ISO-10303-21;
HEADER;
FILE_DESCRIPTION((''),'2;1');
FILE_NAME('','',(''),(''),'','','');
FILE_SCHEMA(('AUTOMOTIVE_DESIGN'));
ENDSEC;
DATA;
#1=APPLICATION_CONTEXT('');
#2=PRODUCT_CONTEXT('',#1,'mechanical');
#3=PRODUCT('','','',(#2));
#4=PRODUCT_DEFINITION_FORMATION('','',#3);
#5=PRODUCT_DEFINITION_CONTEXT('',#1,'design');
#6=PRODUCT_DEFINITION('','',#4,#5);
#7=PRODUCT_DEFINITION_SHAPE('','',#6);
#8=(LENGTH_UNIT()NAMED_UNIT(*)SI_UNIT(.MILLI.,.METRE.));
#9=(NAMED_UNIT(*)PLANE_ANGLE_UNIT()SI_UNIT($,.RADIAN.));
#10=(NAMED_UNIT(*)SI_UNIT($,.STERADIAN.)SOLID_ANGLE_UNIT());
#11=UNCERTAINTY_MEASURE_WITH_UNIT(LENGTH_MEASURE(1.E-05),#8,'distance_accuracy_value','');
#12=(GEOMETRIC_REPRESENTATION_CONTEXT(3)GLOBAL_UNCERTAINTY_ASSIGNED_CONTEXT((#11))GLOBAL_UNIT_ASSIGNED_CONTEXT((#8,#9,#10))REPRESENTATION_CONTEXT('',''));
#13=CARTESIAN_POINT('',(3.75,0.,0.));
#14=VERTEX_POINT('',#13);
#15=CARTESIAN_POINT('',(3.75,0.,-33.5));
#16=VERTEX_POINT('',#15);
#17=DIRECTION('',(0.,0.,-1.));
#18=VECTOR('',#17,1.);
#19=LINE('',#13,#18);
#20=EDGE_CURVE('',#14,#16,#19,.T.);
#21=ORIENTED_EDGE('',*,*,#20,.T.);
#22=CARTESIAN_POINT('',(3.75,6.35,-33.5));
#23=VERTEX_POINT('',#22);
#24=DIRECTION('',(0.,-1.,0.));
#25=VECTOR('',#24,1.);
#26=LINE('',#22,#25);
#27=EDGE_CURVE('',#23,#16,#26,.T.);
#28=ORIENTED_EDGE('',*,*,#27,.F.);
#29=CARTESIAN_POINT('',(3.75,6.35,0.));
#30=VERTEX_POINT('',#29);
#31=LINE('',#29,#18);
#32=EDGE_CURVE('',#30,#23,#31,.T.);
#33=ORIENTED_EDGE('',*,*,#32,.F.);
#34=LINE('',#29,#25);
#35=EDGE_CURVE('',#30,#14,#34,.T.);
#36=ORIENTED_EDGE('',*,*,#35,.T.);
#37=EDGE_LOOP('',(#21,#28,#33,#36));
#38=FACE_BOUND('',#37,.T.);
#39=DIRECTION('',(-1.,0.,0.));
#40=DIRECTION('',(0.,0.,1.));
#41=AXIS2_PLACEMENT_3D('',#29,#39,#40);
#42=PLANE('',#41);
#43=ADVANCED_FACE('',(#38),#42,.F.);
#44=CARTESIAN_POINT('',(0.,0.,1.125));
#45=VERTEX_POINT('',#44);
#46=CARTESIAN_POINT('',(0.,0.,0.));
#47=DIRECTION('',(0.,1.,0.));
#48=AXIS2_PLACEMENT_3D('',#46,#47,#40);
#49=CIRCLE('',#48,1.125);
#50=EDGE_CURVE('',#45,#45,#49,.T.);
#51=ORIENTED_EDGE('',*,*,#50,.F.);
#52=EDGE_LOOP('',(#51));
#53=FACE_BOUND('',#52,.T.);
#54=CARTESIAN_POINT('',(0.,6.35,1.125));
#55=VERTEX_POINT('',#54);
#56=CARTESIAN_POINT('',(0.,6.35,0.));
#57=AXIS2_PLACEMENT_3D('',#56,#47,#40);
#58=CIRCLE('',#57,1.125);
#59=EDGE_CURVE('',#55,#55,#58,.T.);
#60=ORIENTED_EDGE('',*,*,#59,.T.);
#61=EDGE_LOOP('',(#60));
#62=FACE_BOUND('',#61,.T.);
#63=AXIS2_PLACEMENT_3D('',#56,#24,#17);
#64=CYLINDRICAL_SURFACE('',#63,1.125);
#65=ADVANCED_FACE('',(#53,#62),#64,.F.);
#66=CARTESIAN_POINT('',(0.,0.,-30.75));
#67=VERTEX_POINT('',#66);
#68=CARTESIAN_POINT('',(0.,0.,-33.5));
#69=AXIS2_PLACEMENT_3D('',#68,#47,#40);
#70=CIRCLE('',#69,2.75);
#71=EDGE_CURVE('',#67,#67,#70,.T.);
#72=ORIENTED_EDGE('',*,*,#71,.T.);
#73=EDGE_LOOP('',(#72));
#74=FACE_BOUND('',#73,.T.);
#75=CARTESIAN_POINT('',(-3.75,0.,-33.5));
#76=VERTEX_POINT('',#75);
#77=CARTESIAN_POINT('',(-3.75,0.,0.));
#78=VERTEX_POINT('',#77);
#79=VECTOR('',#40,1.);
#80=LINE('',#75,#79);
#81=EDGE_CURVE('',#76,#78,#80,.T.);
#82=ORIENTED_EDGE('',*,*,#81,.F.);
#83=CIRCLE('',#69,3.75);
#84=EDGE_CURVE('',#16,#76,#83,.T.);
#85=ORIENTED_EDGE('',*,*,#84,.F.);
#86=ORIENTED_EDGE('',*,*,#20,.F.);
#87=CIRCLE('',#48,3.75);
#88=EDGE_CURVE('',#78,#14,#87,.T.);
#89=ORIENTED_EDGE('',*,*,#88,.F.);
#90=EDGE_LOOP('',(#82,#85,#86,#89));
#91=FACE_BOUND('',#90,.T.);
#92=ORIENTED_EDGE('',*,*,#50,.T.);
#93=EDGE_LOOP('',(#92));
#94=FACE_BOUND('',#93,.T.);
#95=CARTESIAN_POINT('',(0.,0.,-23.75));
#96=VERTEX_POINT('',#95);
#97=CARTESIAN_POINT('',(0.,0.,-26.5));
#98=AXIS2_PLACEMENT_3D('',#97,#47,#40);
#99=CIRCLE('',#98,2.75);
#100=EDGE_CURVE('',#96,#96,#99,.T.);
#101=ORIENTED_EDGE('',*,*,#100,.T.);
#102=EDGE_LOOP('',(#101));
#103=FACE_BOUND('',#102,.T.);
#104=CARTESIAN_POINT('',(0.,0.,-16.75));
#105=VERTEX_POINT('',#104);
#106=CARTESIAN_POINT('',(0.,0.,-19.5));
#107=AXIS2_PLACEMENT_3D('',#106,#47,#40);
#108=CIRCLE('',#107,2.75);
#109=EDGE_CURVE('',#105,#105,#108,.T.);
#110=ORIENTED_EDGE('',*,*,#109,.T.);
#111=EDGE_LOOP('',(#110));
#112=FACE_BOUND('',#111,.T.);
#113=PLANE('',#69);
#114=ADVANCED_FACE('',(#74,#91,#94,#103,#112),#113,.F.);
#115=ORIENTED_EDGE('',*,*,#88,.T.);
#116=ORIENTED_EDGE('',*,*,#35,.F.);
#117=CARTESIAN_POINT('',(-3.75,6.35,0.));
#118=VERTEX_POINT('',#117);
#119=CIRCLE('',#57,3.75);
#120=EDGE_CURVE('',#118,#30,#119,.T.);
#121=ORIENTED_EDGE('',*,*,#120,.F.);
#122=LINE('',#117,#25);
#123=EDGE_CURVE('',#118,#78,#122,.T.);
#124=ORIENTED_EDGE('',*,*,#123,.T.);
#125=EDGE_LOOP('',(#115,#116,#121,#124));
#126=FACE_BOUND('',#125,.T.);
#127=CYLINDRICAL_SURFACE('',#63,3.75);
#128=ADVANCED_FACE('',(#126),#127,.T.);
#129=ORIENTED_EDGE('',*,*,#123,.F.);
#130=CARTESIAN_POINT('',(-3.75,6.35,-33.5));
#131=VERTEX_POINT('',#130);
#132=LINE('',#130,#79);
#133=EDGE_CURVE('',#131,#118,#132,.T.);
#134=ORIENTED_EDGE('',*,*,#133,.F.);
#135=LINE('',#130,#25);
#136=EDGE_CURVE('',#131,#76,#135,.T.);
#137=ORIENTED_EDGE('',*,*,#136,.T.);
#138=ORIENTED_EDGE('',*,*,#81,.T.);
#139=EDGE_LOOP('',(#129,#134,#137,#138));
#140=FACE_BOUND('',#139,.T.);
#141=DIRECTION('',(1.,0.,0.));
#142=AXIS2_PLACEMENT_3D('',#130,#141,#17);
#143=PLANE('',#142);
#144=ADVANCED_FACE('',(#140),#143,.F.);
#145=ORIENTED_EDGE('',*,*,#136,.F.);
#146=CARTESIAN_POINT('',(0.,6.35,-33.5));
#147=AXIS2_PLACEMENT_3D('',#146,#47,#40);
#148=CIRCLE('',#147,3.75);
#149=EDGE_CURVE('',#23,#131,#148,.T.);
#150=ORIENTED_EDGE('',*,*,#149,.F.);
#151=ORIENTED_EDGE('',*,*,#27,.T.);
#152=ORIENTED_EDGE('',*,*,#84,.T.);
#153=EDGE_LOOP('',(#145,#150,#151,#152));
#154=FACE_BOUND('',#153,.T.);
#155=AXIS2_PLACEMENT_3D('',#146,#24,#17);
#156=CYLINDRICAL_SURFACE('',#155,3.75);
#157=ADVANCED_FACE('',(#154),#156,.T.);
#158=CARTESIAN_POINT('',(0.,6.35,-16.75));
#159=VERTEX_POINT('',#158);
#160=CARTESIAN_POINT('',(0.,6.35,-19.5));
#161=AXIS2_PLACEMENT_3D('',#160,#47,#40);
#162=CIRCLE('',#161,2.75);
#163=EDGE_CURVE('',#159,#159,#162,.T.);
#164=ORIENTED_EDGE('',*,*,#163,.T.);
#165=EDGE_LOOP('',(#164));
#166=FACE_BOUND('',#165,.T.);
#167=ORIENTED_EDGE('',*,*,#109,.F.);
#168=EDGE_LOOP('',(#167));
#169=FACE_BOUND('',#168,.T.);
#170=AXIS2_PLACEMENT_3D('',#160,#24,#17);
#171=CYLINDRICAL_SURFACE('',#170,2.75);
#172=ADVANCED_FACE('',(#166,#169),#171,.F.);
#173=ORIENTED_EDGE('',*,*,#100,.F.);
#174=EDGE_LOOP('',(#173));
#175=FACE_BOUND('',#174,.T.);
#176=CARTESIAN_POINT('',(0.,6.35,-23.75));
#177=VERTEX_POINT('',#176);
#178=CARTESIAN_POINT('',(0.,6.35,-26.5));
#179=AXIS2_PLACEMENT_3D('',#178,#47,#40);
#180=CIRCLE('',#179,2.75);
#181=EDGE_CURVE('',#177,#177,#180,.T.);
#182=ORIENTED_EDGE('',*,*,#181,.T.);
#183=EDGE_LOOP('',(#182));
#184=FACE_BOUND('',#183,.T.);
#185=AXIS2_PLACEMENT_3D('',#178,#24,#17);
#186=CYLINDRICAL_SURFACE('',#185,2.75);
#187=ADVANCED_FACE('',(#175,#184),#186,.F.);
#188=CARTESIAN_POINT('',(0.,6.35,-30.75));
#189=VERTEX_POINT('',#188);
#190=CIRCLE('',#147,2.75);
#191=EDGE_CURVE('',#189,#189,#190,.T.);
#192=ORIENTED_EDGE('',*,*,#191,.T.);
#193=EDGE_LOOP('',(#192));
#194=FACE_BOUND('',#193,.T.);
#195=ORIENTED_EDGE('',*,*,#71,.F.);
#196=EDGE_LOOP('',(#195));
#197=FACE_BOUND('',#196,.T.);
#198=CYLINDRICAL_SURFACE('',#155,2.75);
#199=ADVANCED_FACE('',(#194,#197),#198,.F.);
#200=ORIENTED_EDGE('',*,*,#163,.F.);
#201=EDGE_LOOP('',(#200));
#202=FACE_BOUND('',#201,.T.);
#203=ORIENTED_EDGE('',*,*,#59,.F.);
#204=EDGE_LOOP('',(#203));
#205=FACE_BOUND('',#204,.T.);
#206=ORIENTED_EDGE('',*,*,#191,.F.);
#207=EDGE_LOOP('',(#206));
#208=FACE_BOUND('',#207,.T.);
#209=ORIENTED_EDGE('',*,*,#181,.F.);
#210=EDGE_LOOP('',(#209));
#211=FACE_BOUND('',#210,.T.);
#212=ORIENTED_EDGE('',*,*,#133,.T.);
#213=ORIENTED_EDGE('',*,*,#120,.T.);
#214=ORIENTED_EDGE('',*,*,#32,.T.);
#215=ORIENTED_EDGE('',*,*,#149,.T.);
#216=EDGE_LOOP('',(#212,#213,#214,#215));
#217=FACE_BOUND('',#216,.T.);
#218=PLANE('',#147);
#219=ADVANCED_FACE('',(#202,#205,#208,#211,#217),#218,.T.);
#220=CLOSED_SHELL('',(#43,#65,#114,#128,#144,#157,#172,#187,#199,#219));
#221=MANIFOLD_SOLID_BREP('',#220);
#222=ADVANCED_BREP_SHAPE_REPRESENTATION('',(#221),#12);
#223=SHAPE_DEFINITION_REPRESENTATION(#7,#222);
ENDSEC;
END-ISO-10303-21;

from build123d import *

# Parameters (mm, degrees)
SKETCH1_R           = 1.125
SKETCH1_R_2         = 2.75
BOSS_EXTRUDE1_DEPTH = 6.35
SKETCH2_R           = 2.75
CUT_EXTRUDE2_DEPTH  = 6.35


with BuildPart() as part:
    # Sketch1 → Boss-Extrude1 (new body)
    with BuildSketch(Plane(origin=(0, 0, 0), x_dir=(1, 0, 0), z_dir=(0, 1, 0))):
        with BuildLine():
            Line((-3.75, 33.5), (-3.75, 0))
            ThreePointArc((-3.75, 0), (0, -3.75), (3.75, 0))
            Line((3.75, 0), (3.75, 33.5))
            ThreePointArc((3.75, 33.5), (0, 37.25), (-3.75, 33.5))
        make_face()
        Circle(SKETCH1_R, mode=Mode.SUBTRACT)
        with Locations((0, 33.5)):
            Circle(SKETCH1_R_2, mode=Mode.SUBTRACT)
    extrude(amount=BOSS_EXTRUDE1_DEPTH)

    # Sketch2 → Cut-Extrude2 (cut)
    with BuildSketch(Plane(origin=(0, 0, 0), x_dir=(1, 0, 0), z_dir=(0, 1, 0))):
        with Locations((0, 33.5)):
            Circle(SKETCH2_R)
        with Locations((0, 19.5)):
            Circle(SKETCH2_R)
        with Locations((0, 26.5)):
            Circle(SKETCH2_R)
    extrude(amount=CUT_EXTRUDE2_DEPTH, mode=Mode.SUBTRACT)


solid = part.part
